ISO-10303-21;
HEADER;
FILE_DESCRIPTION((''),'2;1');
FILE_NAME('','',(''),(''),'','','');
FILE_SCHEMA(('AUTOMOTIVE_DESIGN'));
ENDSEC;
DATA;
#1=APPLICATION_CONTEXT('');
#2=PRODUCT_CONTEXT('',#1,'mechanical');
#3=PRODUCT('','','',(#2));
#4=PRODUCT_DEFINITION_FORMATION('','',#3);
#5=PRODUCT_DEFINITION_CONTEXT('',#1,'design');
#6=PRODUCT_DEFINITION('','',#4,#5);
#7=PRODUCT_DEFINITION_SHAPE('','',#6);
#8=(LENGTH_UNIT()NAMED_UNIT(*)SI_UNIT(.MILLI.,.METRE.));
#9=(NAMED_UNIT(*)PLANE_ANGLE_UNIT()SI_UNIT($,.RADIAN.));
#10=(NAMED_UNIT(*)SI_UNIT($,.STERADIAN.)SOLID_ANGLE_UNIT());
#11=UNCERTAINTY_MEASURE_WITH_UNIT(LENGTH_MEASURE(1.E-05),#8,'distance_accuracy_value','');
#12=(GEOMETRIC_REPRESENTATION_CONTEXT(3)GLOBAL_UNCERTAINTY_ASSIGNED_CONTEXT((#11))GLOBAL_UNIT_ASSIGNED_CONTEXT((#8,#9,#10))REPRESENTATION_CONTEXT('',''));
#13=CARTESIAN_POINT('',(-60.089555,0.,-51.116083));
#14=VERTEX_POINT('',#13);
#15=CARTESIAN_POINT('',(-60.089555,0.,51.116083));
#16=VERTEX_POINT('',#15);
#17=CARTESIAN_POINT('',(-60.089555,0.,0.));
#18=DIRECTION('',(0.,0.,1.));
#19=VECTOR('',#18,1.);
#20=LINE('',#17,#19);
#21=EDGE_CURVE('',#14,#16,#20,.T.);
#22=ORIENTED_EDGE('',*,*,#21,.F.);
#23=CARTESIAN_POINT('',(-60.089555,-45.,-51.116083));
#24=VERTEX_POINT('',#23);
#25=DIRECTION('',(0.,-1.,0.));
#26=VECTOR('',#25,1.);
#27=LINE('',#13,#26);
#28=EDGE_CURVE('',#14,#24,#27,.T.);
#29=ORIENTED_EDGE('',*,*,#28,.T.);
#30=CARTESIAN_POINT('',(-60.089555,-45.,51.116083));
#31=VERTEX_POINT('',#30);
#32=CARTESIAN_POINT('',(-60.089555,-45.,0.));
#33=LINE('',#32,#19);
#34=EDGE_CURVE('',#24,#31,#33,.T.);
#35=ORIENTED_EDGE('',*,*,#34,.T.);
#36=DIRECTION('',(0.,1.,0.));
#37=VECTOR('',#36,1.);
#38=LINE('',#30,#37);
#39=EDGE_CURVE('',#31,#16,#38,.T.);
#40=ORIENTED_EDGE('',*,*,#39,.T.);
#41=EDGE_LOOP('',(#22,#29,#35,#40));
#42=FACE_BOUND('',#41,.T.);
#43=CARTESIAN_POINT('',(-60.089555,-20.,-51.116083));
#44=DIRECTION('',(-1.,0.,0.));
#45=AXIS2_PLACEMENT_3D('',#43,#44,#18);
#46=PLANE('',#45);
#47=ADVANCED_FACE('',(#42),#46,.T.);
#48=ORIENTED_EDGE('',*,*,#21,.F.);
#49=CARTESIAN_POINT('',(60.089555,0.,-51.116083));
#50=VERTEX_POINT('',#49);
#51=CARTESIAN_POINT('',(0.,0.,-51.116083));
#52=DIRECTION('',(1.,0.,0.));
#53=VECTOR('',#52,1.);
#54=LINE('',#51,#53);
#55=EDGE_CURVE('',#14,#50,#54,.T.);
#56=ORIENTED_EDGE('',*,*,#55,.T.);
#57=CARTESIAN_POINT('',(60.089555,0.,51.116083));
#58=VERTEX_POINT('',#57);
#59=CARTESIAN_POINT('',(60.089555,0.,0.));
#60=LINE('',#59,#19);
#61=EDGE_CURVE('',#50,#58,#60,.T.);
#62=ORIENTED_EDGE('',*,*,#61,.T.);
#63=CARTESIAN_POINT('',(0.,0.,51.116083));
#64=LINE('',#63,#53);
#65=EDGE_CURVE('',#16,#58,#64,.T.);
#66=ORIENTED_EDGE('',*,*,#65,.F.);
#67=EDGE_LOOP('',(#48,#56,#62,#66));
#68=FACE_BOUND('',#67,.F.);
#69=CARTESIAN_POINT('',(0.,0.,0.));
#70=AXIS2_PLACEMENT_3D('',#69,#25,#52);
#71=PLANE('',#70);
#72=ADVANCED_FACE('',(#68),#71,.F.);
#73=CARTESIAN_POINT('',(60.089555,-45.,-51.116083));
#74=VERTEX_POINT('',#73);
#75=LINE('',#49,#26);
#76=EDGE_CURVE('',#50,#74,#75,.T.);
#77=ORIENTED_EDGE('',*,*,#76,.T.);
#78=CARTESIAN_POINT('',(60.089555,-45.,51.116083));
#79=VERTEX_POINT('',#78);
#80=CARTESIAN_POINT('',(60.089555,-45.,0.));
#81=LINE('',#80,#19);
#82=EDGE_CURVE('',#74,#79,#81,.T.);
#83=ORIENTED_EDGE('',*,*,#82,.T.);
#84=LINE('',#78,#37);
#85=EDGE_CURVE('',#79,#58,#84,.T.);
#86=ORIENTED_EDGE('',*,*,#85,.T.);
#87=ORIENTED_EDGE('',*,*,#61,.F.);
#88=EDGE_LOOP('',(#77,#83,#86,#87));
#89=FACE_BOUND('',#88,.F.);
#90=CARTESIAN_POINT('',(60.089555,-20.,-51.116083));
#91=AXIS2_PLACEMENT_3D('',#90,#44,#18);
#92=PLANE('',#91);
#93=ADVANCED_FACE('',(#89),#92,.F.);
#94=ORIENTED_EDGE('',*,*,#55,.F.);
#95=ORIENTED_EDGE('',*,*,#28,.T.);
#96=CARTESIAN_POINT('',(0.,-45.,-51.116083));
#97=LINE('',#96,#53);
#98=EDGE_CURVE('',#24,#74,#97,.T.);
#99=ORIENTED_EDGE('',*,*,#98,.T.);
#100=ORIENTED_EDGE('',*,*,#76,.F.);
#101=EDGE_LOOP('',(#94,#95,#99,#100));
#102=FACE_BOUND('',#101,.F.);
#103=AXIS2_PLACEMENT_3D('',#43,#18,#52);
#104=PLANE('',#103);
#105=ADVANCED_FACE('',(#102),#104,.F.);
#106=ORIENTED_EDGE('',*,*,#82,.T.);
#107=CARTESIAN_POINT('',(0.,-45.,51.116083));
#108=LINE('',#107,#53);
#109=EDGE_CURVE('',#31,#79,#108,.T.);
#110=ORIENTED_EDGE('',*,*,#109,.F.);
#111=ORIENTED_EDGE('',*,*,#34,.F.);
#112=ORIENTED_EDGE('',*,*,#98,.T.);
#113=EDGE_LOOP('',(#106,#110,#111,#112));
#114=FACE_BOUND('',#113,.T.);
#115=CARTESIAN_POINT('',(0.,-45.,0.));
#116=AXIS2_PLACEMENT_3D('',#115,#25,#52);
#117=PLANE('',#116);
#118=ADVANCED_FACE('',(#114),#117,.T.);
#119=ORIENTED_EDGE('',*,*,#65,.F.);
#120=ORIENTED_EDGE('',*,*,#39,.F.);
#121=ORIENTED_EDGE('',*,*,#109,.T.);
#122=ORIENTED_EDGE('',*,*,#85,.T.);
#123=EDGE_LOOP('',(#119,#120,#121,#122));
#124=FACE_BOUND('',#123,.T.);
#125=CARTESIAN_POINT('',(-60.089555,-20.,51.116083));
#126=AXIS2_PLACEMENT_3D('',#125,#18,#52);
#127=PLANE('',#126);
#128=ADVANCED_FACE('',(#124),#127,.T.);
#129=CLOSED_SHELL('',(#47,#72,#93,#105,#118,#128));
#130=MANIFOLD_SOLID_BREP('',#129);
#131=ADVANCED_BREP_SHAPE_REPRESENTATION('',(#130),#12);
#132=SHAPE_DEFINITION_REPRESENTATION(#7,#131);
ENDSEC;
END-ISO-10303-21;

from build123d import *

# Parameters (mm, degrees)
F0_W     = 120.1791092753
F0_H     = 102.2321656346
F1_DEPTH = 20
F2_W     = 120.1791092753
F2_H     = 102.2321656346
F3_DEPTH = 25


with BuildPart() as f1:
    # F0 (on Front) → F1 (new body)
    with BuildSketch(Plane.XZ):
        Rectangle(F0_W, F0_H)
    extrude(amount=F1_DEPTH)

    # F2 (on face) → F3 (join)
    with BuildSketch(Plane.XZ.offset(20)):
        Rectangle(F2_W, F2_H)
    extrude(amount=F3_DEPTH)


solid = f1.part
